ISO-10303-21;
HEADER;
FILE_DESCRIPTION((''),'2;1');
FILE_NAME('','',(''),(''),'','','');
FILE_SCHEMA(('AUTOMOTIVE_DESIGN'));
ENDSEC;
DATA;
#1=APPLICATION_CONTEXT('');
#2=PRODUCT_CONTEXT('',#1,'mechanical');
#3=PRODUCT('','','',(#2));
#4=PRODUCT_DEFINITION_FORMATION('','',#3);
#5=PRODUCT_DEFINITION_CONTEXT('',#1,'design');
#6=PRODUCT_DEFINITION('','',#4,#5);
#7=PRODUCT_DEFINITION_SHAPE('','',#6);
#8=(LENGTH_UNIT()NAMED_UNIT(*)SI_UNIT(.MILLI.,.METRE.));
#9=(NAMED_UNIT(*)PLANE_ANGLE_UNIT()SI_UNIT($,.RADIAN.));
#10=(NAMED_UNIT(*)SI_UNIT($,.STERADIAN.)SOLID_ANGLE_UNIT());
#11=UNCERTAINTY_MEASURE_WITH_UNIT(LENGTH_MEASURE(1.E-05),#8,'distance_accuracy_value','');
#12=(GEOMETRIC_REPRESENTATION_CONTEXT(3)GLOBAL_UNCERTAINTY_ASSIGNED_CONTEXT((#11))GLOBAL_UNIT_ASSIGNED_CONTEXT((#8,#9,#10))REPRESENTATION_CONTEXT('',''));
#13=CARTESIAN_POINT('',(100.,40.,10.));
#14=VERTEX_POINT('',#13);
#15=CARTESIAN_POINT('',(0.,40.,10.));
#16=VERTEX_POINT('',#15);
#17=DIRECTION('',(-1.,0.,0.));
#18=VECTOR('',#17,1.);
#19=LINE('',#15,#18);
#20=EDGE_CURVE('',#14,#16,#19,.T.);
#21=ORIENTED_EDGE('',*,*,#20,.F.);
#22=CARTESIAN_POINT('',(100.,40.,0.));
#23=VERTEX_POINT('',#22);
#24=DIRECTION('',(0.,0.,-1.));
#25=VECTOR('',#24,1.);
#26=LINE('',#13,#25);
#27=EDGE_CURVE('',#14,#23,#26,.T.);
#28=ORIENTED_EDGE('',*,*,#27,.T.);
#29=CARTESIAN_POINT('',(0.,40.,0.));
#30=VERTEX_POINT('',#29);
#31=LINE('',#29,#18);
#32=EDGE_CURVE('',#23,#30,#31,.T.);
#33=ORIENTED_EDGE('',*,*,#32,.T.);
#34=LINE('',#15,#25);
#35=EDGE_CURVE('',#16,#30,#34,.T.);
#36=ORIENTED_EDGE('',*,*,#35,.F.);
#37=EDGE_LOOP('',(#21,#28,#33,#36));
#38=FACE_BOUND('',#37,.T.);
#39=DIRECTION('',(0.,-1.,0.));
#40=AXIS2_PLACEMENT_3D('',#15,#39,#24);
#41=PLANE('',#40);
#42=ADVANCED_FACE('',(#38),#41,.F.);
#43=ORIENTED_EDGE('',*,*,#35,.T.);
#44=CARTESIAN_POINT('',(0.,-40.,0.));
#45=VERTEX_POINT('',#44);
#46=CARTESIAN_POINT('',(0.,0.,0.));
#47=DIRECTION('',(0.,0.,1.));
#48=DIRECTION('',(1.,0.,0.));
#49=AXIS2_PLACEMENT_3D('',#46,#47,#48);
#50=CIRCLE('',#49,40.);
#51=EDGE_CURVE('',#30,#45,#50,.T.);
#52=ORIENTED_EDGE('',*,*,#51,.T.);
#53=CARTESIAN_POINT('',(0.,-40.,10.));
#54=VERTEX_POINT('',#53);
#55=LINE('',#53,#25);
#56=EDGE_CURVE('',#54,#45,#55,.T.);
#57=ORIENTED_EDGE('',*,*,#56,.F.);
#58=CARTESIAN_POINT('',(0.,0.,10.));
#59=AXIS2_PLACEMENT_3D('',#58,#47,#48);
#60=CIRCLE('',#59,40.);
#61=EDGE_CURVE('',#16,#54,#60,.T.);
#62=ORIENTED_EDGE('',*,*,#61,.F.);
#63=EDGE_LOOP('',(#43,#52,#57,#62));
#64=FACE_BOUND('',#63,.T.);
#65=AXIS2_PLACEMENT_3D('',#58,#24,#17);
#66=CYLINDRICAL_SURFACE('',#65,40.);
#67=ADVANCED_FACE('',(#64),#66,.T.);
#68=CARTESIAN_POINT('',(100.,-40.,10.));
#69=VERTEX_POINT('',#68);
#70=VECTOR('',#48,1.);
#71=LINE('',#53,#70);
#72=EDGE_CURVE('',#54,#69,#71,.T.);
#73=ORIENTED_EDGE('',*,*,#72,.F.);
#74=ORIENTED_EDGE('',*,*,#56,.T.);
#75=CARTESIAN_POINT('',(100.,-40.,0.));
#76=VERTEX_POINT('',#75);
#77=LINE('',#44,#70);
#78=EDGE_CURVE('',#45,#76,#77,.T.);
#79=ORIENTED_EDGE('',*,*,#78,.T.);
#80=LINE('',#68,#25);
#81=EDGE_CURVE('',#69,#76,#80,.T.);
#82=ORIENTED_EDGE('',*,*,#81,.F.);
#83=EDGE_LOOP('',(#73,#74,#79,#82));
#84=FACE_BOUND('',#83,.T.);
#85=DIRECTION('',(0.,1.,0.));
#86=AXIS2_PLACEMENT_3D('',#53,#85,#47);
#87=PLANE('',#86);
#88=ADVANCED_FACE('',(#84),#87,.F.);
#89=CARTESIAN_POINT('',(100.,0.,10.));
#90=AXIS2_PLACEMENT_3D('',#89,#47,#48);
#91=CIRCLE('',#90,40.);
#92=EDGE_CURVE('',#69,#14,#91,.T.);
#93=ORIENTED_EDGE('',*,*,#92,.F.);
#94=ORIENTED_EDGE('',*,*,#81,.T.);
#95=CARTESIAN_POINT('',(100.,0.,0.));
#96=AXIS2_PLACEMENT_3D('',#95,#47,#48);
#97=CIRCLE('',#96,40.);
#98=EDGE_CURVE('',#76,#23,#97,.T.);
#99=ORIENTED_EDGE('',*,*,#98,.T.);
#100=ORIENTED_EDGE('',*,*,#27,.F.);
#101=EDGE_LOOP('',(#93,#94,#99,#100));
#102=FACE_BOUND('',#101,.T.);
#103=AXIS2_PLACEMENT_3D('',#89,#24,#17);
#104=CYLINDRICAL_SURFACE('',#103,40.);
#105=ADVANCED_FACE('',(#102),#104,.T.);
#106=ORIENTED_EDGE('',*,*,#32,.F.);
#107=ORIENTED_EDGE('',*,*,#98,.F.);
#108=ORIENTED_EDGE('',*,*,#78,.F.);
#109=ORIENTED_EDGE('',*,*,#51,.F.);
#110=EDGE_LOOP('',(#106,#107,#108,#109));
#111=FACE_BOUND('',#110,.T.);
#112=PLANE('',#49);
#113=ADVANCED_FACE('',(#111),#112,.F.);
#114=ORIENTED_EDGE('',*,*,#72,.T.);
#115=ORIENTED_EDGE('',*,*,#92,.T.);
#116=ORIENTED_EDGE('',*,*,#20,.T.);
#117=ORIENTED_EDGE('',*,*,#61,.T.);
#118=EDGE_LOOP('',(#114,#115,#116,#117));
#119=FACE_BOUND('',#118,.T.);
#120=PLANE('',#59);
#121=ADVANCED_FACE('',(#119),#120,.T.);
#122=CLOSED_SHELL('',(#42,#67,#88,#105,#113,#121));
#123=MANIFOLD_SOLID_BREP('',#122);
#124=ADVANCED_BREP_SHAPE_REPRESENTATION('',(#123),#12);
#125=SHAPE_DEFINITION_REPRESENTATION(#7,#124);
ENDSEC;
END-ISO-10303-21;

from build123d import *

# Parameters (mm, degrees)
BOSS_EXTRUDE1_DEPTH = 10


with BuildPart() as part:
    # Sketch1 → Boss-Extrude1 (new body)
    with BuildSketch(Plane.XY):
        with BuildLine():
            Line((0, 40), (100, 40))
            ThreePointArc((100, 40), (140, 0), (100, -40))
            Line((100, -40), (0, -40))
            ThreePointArc((0, -40), (-40, 0), (0, 40))
        make_face()
    extrude(amount=BOSS_EXTRUDE1_DEPTH)


solid = part.part
